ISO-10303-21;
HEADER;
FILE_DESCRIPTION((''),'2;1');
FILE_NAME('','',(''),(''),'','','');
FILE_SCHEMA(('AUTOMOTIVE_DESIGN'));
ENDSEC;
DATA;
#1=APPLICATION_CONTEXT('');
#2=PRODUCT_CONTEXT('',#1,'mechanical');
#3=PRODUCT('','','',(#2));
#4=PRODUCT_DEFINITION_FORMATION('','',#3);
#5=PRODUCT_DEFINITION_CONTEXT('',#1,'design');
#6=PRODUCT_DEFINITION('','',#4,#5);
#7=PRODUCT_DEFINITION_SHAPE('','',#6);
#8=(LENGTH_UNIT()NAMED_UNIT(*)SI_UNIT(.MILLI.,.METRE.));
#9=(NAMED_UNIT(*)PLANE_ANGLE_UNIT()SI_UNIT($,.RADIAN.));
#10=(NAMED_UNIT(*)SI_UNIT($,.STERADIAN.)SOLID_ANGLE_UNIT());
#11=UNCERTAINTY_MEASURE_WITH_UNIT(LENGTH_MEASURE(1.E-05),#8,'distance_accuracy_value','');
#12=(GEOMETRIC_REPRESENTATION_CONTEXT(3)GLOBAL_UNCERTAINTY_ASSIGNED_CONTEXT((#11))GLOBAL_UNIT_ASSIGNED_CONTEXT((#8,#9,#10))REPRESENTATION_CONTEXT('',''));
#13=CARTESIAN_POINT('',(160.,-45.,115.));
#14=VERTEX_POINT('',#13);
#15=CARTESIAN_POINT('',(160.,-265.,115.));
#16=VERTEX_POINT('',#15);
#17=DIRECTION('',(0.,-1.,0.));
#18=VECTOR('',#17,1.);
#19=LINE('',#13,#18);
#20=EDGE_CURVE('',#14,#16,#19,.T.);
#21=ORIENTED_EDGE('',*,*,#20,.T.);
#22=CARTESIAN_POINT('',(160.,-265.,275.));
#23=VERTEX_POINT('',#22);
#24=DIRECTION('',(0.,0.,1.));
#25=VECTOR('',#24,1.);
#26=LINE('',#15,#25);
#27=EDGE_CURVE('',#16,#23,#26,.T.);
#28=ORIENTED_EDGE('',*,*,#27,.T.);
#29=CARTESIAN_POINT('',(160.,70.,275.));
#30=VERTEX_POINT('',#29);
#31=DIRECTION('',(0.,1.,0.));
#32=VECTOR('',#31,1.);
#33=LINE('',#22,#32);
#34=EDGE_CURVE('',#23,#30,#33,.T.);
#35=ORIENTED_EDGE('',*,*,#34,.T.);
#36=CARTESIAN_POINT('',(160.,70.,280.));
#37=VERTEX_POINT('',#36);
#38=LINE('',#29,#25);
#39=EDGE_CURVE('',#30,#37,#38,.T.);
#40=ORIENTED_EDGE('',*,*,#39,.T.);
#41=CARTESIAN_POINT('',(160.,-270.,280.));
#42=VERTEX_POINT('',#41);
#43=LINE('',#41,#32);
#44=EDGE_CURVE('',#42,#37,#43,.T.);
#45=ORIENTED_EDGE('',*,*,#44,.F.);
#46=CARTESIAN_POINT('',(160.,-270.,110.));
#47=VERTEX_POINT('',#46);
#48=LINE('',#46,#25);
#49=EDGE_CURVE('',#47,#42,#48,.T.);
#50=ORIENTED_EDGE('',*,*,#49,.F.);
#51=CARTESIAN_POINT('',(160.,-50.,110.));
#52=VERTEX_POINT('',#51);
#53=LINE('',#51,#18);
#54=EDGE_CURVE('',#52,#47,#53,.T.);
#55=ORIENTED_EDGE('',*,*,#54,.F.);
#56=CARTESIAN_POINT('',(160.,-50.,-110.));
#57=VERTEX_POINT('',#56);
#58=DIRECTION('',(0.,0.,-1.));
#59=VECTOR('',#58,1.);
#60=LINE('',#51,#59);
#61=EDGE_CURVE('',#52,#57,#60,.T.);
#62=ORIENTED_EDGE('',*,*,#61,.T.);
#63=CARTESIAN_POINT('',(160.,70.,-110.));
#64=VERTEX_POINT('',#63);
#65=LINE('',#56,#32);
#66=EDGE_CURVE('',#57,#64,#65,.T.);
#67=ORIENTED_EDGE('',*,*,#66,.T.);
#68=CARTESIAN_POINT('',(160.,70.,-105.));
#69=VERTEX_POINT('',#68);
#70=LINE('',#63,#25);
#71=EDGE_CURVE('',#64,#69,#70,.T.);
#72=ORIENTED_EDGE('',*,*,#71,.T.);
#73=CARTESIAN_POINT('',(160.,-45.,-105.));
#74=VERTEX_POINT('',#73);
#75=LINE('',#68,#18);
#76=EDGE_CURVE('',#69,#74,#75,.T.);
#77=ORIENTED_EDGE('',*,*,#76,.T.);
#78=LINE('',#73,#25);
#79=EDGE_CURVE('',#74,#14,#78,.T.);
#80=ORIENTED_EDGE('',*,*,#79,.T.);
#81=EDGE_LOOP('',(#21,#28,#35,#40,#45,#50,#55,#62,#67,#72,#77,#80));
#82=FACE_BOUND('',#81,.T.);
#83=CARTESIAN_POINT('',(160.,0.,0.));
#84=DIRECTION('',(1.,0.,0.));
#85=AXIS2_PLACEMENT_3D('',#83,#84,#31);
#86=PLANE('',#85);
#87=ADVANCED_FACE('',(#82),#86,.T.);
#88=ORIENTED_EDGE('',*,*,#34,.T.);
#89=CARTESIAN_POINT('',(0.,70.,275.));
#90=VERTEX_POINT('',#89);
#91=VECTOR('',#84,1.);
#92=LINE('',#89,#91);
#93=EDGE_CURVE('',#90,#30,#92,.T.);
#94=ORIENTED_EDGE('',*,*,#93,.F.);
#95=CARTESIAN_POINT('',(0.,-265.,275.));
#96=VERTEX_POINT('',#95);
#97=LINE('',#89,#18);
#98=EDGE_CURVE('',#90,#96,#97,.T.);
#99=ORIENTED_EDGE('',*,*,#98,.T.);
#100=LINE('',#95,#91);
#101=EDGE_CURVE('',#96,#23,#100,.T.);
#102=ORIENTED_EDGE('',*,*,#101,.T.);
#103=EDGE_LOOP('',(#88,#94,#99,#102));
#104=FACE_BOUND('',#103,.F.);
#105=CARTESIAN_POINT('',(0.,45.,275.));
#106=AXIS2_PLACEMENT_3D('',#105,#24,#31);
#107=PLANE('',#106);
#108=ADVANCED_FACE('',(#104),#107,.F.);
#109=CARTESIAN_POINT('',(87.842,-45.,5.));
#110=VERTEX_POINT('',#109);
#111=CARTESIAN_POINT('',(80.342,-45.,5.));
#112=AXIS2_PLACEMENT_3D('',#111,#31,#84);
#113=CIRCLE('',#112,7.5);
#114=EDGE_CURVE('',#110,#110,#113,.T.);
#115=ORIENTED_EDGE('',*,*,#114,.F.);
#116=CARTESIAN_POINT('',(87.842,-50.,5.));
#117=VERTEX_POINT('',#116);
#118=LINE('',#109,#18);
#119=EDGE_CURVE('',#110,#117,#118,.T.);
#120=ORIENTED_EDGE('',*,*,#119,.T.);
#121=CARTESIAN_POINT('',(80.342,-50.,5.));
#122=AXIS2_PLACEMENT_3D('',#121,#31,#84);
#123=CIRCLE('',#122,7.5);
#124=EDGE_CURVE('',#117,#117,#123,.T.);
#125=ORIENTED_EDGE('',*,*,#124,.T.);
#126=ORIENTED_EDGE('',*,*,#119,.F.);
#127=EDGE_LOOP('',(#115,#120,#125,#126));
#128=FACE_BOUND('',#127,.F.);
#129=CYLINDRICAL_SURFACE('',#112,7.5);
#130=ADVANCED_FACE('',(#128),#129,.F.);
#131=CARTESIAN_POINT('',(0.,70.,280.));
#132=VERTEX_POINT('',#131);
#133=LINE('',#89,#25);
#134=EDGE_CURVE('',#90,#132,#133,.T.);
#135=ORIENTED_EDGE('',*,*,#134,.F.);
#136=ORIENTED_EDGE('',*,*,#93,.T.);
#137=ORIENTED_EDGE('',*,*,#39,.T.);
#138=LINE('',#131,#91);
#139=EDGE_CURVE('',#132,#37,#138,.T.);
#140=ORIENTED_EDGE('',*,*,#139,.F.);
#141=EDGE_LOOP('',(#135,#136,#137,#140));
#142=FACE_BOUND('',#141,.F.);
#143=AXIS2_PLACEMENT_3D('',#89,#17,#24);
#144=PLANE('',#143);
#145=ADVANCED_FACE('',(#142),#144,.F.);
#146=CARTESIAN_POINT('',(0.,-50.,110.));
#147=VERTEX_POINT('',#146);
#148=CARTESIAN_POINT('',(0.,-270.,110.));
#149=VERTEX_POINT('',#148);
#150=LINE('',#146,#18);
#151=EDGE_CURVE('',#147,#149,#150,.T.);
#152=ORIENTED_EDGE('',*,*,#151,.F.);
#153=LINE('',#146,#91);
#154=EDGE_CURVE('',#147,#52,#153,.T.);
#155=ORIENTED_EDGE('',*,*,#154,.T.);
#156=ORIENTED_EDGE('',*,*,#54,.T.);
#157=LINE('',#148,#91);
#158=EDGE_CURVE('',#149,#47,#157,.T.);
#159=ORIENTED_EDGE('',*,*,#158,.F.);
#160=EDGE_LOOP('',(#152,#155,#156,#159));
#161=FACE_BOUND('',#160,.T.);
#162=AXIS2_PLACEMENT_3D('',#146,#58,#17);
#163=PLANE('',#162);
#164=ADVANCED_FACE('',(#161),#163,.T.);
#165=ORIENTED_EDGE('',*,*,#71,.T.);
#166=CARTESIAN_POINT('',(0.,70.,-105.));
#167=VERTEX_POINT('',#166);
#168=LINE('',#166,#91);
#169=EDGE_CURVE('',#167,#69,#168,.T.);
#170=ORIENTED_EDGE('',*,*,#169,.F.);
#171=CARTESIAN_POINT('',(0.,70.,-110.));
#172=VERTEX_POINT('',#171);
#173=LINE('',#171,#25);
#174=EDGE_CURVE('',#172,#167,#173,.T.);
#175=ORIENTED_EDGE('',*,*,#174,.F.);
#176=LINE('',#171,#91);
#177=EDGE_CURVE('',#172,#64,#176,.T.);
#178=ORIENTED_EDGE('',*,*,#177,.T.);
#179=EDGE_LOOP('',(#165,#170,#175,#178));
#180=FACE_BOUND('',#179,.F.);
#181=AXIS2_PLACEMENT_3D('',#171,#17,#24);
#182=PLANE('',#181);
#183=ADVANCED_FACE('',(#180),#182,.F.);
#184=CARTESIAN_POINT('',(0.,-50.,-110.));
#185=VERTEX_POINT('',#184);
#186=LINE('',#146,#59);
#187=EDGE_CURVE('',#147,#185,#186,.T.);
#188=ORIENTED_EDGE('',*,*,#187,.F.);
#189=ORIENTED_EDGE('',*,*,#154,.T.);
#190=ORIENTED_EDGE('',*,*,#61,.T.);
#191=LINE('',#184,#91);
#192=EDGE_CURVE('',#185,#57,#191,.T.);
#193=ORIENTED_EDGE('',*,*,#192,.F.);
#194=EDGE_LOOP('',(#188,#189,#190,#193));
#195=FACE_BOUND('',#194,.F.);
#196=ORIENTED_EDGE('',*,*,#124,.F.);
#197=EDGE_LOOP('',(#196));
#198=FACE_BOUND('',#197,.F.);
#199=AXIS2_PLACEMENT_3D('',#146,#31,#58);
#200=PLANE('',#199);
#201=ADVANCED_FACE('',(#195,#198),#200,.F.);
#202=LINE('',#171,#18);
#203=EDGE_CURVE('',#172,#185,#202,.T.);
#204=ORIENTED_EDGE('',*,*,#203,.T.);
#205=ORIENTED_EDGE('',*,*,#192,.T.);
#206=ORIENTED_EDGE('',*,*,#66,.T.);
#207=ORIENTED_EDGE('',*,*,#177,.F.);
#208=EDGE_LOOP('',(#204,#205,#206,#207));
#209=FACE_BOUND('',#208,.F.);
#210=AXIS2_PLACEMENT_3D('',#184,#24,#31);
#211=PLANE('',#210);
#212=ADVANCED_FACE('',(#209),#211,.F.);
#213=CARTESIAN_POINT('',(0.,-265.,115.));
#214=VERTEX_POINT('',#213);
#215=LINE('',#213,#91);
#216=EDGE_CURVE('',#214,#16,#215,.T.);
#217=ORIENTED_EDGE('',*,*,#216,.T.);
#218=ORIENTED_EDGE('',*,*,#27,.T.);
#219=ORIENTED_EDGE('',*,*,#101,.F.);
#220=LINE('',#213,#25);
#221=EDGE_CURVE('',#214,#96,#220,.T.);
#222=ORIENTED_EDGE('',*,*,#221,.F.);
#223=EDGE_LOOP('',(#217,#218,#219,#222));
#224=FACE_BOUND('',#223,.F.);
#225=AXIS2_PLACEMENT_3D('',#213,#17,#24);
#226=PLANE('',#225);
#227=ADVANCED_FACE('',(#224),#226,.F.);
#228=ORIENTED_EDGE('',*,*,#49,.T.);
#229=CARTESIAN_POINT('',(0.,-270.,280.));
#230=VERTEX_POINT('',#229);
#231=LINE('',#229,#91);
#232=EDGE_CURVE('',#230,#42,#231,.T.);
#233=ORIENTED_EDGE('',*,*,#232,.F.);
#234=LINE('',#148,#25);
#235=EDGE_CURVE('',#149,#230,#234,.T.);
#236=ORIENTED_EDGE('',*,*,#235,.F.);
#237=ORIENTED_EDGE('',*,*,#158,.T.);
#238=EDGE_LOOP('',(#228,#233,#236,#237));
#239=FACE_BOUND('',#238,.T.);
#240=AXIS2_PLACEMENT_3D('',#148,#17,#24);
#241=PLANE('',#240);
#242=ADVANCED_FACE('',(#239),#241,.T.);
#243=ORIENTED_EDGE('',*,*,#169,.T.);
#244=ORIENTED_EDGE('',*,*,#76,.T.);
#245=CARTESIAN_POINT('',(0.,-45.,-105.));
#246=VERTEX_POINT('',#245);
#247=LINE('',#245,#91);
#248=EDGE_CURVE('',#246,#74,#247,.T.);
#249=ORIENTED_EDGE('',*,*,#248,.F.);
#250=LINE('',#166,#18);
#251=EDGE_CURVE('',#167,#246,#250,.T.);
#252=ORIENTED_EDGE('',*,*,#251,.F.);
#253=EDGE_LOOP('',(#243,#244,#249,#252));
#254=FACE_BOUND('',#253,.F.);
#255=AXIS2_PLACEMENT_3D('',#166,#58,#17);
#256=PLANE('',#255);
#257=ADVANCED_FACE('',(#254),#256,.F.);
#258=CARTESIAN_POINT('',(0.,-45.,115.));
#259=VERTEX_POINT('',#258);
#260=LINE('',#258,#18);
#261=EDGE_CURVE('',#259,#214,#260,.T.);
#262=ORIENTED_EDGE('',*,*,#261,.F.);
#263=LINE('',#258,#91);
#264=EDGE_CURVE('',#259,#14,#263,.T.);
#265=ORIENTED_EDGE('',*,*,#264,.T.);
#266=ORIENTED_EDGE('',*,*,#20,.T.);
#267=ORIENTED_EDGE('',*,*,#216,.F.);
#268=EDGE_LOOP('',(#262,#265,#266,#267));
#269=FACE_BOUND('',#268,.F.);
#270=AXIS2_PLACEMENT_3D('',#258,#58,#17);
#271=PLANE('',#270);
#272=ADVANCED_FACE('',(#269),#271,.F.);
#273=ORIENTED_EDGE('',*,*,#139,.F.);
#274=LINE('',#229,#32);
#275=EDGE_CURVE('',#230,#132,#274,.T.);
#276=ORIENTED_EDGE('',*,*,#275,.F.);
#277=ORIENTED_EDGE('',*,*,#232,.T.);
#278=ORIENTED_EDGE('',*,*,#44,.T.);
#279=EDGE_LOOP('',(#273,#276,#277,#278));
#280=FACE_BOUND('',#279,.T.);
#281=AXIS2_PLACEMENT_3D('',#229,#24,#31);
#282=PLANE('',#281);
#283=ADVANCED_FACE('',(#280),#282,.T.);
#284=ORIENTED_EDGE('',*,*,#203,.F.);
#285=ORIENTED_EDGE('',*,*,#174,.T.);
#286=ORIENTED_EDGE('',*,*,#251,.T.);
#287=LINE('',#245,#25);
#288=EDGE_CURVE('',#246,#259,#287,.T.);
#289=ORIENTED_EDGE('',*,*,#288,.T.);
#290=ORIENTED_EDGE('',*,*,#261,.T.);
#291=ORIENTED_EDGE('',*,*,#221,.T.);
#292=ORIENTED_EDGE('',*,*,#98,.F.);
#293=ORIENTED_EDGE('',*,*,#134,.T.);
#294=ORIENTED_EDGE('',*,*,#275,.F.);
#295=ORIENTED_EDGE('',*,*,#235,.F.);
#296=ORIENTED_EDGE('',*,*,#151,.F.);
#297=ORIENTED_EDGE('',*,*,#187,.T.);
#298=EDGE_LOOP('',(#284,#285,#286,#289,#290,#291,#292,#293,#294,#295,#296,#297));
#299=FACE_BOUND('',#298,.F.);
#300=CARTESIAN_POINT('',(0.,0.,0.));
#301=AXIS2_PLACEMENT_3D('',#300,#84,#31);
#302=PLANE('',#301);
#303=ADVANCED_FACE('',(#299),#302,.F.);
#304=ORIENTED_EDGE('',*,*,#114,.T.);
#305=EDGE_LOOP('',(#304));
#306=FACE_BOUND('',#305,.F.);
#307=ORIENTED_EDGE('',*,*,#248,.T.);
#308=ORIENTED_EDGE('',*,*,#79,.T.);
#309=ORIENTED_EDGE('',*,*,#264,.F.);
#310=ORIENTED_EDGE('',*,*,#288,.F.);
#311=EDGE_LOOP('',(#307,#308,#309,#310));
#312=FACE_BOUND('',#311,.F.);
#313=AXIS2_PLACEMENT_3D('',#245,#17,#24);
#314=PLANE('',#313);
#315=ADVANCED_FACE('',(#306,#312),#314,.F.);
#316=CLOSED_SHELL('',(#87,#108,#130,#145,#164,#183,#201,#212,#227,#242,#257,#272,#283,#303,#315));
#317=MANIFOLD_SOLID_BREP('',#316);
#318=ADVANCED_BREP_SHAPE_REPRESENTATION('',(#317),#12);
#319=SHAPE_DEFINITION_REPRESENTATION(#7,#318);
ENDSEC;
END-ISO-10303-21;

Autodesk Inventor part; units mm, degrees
ref_plane "YZ Plane" through (0, 0, 0) normal (1, 0, 0) x (0, 1, 0)
ref_plane "XZ Plane" through (0, 0, 0) normal (0, 1, 0) x (-1, 0, 0)
ref_plane "XY Plane" through (0, 0, 0) normal (0, 0, 1) x (1, 0, 0)
sketch "Sketch1" plane through (0, 0, 0) normal (1, 0, 0) x (0, 1, 0)
  line L0 (-50, 110) -> (-50, -110)
  line L1 (-50, -110) -> (45, -110)
  line L2 (-50, 110) -> (-270, 110)
  line L3 (-270, 110) -> (-270, 280)
  line L4 (-270, 280) -> (70, 280)
  line L5 (70, -105) -> (-45, -105)
  line L6 (-45, -105) -> (-45, 115)
  line L7 (-45, 115) -> (-265, 115)
  line L8 (-265, 115) -> (-265, 275)
  line L9 (-265, 275) -> (45, 275)
  line L10 (-50, -110) -> (70, -110)
  line L11 (70, -110) -> (70, -105)
  line L12 (70, 275) -> (70, 280)
  line L13 (45, 275) -> (70, 275)
  point P0 (0, 0)
extrude "Extrusion1" add sketch "Sketch1" along normal blind 160
sketch "Sketch2" plane through (0, -45, 115) normal (0, 1, 0) x (1, 0, 0)
  circle A0 centre (80.342, 110) radius 7.5
  point P0 (0, 115)
  dimension "d10" = 15
extrude "Extrusion2" cut sketch "Sketch2" against normal blind 10
properties part number "Body Skeleton" material "Pine, Southern"
